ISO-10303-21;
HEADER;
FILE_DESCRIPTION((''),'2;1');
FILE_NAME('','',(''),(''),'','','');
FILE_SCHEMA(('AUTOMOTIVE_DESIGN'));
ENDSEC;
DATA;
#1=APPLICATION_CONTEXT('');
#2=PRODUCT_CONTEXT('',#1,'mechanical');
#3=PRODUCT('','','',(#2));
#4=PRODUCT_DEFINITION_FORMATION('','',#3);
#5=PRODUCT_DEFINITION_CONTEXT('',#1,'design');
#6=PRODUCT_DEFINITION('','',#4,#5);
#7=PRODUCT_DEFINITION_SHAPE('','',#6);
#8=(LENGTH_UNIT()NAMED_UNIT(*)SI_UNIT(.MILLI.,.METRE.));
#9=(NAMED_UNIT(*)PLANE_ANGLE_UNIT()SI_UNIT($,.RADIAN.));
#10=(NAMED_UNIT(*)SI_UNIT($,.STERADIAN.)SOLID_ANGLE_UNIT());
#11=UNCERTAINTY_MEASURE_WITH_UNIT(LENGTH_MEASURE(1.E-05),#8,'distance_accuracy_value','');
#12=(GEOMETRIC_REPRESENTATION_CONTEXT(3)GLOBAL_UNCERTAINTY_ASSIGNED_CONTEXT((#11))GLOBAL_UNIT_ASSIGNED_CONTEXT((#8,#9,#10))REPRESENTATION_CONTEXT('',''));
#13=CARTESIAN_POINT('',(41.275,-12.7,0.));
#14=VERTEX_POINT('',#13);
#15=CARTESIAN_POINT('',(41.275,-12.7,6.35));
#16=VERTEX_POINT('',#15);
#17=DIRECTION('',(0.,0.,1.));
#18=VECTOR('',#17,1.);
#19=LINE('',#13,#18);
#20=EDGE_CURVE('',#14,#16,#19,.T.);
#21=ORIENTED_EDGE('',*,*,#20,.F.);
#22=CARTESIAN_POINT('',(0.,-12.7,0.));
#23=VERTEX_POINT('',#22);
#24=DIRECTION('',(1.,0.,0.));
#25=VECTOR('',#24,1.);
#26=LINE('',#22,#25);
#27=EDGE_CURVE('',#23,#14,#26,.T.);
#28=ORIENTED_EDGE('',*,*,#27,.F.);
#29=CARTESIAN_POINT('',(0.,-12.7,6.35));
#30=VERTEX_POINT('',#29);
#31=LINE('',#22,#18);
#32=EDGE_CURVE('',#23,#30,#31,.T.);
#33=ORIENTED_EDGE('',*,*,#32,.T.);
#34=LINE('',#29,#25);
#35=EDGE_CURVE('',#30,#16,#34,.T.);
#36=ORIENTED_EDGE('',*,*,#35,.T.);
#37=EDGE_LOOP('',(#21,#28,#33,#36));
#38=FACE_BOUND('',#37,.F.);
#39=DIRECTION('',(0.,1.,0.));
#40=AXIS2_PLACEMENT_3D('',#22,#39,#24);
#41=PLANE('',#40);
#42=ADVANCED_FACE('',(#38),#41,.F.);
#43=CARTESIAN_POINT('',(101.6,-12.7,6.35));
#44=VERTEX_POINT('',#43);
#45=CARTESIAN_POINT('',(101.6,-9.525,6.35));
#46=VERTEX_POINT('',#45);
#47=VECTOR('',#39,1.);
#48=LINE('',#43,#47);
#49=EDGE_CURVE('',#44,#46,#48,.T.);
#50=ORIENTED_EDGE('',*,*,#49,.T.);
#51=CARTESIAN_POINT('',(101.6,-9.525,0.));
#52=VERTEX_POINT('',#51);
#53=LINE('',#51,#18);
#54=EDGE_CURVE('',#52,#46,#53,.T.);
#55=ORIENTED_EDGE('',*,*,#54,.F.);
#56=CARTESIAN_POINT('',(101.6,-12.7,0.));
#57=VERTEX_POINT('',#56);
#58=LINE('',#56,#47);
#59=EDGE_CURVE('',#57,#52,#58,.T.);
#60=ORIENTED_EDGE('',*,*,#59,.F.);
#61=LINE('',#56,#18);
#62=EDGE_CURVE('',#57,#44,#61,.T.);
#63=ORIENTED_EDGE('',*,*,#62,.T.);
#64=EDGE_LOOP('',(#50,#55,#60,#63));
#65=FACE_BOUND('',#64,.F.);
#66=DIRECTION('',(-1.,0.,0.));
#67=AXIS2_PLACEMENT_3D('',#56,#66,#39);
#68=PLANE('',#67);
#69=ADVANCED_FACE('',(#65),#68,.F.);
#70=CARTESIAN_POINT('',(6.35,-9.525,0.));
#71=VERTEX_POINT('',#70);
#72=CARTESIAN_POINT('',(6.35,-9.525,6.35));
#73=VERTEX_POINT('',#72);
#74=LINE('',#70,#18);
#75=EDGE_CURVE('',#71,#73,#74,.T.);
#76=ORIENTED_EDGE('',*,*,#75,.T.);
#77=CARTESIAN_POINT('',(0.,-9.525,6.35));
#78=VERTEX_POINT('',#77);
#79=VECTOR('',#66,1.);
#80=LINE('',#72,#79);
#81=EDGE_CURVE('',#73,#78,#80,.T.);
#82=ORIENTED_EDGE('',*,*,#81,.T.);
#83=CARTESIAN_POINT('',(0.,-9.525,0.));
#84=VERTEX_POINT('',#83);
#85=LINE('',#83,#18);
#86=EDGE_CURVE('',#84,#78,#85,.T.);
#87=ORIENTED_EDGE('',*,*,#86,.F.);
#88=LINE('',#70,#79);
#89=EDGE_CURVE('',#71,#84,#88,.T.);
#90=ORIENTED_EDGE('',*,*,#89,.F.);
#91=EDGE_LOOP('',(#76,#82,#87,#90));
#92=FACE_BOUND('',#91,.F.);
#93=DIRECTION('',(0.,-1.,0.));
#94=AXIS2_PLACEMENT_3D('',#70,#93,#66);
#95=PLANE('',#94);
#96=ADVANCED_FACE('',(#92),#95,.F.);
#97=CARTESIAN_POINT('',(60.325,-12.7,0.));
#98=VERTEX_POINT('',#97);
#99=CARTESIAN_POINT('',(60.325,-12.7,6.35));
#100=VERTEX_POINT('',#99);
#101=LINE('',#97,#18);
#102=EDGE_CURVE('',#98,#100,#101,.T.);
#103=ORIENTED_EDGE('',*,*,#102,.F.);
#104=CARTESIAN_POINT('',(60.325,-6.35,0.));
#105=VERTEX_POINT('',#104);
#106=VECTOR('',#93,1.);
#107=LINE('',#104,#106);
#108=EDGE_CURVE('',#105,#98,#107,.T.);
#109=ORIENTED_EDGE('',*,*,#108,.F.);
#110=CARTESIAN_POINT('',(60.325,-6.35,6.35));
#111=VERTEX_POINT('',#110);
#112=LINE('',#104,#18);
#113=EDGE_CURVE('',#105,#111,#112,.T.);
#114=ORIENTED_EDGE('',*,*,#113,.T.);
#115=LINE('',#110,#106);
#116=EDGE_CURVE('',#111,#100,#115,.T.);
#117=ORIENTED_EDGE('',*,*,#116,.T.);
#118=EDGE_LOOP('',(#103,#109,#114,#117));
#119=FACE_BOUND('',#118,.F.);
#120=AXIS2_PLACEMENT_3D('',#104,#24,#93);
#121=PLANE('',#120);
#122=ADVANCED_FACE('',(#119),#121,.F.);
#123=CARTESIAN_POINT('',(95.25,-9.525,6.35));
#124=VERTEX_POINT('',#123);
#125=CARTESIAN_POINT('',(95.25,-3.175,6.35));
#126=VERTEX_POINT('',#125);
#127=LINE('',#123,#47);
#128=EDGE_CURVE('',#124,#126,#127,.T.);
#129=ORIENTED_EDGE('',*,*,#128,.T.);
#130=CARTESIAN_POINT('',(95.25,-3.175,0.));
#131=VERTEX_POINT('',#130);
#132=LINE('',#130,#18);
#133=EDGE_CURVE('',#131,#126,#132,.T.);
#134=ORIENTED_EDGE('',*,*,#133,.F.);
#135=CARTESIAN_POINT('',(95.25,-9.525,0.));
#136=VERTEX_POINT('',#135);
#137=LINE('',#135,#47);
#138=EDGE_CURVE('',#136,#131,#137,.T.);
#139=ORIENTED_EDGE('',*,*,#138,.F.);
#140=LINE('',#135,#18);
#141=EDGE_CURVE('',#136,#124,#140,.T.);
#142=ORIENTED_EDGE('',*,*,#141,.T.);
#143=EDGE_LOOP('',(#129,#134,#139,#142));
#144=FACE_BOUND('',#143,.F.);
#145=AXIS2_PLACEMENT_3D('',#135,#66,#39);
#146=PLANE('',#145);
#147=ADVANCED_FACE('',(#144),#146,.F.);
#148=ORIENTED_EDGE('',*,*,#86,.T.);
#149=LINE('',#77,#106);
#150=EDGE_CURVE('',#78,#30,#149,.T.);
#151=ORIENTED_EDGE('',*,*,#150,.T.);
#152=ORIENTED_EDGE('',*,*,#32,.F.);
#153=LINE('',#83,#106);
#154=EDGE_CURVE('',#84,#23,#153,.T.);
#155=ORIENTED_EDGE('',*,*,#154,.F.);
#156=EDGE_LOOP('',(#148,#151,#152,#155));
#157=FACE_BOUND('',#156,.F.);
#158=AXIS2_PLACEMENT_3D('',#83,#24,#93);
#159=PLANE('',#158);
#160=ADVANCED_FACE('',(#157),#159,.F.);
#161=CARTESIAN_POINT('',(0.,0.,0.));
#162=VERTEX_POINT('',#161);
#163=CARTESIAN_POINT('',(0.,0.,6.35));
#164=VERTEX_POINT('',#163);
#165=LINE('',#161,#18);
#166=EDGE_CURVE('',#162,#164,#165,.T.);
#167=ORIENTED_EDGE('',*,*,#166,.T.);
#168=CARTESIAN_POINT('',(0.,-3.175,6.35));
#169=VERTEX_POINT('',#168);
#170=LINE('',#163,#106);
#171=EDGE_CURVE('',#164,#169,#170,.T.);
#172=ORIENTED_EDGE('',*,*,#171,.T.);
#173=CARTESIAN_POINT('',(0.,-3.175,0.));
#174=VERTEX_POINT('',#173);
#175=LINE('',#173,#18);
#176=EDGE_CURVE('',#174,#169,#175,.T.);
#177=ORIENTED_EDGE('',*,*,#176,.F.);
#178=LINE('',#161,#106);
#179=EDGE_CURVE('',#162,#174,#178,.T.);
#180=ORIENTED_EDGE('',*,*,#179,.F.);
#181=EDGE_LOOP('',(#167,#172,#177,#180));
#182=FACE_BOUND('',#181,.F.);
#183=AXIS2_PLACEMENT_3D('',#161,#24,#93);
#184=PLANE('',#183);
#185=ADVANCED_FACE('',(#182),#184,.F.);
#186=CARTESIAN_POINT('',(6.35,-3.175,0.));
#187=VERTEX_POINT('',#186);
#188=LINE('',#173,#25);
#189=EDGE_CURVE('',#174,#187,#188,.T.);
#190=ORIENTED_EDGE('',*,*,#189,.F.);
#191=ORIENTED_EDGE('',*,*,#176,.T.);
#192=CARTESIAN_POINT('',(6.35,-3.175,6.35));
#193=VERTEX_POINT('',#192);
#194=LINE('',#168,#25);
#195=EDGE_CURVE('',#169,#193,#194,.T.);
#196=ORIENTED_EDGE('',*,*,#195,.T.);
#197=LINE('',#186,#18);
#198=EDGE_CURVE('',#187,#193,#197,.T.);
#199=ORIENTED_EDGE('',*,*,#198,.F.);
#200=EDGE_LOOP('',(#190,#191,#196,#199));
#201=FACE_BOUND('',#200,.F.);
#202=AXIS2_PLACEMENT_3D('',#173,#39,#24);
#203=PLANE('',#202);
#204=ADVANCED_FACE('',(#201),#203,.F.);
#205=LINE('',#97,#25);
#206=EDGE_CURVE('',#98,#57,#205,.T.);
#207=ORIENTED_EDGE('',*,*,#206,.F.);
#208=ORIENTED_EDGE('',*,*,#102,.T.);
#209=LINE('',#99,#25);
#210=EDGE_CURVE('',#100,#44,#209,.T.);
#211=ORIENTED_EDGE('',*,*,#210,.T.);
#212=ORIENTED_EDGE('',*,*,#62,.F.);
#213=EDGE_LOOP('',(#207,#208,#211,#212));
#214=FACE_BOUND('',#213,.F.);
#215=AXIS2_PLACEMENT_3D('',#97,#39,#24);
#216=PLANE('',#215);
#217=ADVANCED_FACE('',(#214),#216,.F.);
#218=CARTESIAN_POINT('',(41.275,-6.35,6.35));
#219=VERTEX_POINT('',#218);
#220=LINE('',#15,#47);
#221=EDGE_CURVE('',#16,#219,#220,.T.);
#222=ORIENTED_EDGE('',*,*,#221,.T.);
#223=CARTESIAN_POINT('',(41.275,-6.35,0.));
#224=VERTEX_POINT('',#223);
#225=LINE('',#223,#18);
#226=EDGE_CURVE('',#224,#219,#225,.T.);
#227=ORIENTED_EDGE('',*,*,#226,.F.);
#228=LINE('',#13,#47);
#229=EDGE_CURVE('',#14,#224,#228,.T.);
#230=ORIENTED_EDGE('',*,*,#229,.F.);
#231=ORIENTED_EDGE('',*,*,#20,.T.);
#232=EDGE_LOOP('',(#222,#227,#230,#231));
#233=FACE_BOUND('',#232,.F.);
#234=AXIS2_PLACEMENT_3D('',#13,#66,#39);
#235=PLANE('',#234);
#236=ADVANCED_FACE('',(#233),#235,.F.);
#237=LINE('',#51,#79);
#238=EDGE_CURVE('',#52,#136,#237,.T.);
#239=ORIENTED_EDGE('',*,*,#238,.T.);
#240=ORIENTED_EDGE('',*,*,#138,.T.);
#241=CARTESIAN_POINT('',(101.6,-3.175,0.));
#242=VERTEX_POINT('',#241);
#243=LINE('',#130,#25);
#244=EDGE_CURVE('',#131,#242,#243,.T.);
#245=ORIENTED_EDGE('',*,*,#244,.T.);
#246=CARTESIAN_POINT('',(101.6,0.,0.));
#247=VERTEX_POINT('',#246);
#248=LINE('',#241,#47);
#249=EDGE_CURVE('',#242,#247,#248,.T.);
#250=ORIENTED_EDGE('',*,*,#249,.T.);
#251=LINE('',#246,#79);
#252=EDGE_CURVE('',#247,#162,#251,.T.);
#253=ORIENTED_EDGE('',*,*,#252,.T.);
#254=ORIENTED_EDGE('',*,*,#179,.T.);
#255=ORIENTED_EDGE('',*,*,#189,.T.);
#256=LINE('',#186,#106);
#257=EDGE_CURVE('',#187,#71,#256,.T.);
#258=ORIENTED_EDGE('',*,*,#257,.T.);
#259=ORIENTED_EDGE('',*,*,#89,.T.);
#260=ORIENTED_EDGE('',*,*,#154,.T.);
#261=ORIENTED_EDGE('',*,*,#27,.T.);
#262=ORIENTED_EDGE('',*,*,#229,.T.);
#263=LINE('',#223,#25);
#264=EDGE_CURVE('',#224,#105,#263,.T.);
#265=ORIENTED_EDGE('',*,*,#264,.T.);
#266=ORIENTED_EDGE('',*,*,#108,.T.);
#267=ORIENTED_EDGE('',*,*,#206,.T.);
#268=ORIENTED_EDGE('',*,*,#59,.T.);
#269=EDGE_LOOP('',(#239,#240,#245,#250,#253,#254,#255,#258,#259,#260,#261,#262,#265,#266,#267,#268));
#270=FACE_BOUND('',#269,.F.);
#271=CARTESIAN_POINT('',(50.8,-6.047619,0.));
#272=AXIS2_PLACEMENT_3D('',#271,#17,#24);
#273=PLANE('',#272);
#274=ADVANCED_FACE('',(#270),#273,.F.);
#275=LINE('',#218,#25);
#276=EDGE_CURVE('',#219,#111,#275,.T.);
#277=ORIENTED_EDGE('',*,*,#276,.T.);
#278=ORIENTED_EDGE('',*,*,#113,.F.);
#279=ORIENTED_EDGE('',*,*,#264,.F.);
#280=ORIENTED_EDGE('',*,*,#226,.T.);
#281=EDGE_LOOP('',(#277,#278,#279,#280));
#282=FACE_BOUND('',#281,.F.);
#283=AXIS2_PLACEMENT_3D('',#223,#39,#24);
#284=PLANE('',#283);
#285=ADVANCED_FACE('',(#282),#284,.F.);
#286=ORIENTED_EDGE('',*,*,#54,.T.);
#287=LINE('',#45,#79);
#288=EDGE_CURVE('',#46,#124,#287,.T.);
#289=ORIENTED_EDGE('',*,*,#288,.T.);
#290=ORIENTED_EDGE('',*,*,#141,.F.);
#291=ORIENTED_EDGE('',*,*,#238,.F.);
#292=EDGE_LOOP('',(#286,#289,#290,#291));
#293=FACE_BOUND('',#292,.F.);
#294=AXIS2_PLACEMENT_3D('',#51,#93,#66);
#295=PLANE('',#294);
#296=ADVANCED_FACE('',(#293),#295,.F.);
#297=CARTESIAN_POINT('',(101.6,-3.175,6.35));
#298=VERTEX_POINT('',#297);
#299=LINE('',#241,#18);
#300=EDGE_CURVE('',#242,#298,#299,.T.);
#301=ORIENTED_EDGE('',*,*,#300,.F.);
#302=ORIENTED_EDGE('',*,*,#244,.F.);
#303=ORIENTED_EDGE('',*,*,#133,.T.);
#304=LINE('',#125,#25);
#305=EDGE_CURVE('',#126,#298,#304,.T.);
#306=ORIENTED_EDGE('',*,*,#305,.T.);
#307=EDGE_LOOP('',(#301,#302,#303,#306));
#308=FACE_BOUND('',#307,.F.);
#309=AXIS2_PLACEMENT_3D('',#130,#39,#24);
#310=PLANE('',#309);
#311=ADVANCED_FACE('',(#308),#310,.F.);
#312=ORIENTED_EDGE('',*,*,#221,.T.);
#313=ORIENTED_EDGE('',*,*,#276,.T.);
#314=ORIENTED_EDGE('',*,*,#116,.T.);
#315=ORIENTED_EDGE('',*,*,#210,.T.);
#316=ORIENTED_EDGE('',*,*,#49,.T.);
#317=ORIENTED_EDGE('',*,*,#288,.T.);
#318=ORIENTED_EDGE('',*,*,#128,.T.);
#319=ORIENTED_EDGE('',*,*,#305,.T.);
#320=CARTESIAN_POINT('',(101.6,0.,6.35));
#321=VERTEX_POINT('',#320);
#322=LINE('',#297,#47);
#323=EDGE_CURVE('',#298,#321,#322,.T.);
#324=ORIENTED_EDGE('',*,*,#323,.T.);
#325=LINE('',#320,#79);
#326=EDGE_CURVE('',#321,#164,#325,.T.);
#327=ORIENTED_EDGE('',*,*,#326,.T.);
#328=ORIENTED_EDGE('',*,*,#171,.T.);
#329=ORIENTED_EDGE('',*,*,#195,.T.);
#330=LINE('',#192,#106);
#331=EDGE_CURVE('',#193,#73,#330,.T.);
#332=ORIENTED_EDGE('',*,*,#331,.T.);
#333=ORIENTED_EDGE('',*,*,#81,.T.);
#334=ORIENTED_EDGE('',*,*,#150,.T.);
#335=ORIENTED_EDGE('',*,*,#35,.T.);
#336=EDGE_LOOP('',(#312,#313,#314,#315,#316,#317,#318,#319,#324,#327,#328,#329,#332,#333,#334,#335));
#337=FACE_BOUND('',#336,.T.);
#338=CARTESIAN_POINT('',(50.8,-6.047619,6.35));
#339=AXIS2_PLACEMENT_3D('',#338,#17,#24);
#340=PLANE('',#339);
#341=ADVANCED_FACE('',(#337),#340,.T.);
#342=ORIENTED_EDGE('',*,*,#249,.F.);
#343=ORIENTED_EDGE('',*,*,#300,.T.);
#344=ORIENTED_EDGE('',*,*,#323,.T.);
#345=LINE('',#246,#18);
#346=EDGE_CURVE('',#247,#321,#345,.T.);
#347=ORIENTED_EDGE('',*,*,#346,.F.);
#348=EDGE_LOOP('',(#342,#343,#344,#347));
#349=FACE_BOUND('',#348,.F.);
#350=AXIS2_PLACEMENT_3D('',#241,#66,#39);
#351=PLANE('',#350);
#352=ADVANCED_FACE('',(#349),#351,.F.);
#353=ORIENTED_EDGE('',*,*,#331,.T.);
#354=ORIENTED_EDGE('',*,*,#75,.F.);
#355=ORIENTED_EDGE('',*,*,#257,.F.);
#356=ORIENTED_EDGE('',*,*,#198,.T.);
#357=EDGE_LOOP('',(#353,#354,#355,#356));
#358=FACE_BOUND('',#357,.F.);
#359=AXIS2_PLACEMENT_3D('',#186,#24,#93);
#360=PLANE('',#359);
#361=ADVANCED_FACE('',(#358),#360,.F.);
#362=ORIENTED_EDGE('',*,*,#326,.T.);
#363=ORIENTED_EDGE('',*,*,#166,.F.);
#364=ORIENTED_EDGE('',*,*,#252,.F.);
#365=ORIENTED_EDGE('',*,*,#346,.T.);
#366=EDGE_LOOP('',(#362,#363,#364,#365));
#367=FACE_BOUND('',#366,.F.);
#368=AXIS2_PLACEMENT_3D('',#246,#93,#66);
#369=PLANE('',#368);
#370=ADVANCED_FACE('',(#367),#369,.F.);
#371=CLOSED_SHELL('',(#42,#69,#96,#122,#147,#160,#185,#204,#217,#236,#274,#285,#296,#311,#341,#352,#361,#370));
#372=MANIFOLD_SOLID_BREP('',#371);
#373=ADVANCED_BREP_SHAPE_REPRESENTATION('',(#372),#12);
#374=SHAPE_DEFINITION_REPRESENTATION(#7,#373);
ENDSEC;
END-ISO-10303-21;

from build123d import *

# Parameters (mm, degrees)
F1_DEPTH = 6.35


with BuildPart() as f1:
    # F0 (on Top) → F1 (new body)
    with BuildSketch(Plane.XY):
        Polygon((101.6, 0), (0, 0), (0, -3.175), (6.35, -3.175), (6.35, -9.525), (0, -9.525), (0, -12.7), (41.275, -12.7), (41.275, -6.35), (60.325, -6.35), (60.325, -12.7), (101.6, -12.7), (101.6, -9.525), (95.25, -9.525), (95.25, -3.175), (101.6, -3.175), align=None)
    extrude(amount=F1_DEPTH)


solid = f1.part
